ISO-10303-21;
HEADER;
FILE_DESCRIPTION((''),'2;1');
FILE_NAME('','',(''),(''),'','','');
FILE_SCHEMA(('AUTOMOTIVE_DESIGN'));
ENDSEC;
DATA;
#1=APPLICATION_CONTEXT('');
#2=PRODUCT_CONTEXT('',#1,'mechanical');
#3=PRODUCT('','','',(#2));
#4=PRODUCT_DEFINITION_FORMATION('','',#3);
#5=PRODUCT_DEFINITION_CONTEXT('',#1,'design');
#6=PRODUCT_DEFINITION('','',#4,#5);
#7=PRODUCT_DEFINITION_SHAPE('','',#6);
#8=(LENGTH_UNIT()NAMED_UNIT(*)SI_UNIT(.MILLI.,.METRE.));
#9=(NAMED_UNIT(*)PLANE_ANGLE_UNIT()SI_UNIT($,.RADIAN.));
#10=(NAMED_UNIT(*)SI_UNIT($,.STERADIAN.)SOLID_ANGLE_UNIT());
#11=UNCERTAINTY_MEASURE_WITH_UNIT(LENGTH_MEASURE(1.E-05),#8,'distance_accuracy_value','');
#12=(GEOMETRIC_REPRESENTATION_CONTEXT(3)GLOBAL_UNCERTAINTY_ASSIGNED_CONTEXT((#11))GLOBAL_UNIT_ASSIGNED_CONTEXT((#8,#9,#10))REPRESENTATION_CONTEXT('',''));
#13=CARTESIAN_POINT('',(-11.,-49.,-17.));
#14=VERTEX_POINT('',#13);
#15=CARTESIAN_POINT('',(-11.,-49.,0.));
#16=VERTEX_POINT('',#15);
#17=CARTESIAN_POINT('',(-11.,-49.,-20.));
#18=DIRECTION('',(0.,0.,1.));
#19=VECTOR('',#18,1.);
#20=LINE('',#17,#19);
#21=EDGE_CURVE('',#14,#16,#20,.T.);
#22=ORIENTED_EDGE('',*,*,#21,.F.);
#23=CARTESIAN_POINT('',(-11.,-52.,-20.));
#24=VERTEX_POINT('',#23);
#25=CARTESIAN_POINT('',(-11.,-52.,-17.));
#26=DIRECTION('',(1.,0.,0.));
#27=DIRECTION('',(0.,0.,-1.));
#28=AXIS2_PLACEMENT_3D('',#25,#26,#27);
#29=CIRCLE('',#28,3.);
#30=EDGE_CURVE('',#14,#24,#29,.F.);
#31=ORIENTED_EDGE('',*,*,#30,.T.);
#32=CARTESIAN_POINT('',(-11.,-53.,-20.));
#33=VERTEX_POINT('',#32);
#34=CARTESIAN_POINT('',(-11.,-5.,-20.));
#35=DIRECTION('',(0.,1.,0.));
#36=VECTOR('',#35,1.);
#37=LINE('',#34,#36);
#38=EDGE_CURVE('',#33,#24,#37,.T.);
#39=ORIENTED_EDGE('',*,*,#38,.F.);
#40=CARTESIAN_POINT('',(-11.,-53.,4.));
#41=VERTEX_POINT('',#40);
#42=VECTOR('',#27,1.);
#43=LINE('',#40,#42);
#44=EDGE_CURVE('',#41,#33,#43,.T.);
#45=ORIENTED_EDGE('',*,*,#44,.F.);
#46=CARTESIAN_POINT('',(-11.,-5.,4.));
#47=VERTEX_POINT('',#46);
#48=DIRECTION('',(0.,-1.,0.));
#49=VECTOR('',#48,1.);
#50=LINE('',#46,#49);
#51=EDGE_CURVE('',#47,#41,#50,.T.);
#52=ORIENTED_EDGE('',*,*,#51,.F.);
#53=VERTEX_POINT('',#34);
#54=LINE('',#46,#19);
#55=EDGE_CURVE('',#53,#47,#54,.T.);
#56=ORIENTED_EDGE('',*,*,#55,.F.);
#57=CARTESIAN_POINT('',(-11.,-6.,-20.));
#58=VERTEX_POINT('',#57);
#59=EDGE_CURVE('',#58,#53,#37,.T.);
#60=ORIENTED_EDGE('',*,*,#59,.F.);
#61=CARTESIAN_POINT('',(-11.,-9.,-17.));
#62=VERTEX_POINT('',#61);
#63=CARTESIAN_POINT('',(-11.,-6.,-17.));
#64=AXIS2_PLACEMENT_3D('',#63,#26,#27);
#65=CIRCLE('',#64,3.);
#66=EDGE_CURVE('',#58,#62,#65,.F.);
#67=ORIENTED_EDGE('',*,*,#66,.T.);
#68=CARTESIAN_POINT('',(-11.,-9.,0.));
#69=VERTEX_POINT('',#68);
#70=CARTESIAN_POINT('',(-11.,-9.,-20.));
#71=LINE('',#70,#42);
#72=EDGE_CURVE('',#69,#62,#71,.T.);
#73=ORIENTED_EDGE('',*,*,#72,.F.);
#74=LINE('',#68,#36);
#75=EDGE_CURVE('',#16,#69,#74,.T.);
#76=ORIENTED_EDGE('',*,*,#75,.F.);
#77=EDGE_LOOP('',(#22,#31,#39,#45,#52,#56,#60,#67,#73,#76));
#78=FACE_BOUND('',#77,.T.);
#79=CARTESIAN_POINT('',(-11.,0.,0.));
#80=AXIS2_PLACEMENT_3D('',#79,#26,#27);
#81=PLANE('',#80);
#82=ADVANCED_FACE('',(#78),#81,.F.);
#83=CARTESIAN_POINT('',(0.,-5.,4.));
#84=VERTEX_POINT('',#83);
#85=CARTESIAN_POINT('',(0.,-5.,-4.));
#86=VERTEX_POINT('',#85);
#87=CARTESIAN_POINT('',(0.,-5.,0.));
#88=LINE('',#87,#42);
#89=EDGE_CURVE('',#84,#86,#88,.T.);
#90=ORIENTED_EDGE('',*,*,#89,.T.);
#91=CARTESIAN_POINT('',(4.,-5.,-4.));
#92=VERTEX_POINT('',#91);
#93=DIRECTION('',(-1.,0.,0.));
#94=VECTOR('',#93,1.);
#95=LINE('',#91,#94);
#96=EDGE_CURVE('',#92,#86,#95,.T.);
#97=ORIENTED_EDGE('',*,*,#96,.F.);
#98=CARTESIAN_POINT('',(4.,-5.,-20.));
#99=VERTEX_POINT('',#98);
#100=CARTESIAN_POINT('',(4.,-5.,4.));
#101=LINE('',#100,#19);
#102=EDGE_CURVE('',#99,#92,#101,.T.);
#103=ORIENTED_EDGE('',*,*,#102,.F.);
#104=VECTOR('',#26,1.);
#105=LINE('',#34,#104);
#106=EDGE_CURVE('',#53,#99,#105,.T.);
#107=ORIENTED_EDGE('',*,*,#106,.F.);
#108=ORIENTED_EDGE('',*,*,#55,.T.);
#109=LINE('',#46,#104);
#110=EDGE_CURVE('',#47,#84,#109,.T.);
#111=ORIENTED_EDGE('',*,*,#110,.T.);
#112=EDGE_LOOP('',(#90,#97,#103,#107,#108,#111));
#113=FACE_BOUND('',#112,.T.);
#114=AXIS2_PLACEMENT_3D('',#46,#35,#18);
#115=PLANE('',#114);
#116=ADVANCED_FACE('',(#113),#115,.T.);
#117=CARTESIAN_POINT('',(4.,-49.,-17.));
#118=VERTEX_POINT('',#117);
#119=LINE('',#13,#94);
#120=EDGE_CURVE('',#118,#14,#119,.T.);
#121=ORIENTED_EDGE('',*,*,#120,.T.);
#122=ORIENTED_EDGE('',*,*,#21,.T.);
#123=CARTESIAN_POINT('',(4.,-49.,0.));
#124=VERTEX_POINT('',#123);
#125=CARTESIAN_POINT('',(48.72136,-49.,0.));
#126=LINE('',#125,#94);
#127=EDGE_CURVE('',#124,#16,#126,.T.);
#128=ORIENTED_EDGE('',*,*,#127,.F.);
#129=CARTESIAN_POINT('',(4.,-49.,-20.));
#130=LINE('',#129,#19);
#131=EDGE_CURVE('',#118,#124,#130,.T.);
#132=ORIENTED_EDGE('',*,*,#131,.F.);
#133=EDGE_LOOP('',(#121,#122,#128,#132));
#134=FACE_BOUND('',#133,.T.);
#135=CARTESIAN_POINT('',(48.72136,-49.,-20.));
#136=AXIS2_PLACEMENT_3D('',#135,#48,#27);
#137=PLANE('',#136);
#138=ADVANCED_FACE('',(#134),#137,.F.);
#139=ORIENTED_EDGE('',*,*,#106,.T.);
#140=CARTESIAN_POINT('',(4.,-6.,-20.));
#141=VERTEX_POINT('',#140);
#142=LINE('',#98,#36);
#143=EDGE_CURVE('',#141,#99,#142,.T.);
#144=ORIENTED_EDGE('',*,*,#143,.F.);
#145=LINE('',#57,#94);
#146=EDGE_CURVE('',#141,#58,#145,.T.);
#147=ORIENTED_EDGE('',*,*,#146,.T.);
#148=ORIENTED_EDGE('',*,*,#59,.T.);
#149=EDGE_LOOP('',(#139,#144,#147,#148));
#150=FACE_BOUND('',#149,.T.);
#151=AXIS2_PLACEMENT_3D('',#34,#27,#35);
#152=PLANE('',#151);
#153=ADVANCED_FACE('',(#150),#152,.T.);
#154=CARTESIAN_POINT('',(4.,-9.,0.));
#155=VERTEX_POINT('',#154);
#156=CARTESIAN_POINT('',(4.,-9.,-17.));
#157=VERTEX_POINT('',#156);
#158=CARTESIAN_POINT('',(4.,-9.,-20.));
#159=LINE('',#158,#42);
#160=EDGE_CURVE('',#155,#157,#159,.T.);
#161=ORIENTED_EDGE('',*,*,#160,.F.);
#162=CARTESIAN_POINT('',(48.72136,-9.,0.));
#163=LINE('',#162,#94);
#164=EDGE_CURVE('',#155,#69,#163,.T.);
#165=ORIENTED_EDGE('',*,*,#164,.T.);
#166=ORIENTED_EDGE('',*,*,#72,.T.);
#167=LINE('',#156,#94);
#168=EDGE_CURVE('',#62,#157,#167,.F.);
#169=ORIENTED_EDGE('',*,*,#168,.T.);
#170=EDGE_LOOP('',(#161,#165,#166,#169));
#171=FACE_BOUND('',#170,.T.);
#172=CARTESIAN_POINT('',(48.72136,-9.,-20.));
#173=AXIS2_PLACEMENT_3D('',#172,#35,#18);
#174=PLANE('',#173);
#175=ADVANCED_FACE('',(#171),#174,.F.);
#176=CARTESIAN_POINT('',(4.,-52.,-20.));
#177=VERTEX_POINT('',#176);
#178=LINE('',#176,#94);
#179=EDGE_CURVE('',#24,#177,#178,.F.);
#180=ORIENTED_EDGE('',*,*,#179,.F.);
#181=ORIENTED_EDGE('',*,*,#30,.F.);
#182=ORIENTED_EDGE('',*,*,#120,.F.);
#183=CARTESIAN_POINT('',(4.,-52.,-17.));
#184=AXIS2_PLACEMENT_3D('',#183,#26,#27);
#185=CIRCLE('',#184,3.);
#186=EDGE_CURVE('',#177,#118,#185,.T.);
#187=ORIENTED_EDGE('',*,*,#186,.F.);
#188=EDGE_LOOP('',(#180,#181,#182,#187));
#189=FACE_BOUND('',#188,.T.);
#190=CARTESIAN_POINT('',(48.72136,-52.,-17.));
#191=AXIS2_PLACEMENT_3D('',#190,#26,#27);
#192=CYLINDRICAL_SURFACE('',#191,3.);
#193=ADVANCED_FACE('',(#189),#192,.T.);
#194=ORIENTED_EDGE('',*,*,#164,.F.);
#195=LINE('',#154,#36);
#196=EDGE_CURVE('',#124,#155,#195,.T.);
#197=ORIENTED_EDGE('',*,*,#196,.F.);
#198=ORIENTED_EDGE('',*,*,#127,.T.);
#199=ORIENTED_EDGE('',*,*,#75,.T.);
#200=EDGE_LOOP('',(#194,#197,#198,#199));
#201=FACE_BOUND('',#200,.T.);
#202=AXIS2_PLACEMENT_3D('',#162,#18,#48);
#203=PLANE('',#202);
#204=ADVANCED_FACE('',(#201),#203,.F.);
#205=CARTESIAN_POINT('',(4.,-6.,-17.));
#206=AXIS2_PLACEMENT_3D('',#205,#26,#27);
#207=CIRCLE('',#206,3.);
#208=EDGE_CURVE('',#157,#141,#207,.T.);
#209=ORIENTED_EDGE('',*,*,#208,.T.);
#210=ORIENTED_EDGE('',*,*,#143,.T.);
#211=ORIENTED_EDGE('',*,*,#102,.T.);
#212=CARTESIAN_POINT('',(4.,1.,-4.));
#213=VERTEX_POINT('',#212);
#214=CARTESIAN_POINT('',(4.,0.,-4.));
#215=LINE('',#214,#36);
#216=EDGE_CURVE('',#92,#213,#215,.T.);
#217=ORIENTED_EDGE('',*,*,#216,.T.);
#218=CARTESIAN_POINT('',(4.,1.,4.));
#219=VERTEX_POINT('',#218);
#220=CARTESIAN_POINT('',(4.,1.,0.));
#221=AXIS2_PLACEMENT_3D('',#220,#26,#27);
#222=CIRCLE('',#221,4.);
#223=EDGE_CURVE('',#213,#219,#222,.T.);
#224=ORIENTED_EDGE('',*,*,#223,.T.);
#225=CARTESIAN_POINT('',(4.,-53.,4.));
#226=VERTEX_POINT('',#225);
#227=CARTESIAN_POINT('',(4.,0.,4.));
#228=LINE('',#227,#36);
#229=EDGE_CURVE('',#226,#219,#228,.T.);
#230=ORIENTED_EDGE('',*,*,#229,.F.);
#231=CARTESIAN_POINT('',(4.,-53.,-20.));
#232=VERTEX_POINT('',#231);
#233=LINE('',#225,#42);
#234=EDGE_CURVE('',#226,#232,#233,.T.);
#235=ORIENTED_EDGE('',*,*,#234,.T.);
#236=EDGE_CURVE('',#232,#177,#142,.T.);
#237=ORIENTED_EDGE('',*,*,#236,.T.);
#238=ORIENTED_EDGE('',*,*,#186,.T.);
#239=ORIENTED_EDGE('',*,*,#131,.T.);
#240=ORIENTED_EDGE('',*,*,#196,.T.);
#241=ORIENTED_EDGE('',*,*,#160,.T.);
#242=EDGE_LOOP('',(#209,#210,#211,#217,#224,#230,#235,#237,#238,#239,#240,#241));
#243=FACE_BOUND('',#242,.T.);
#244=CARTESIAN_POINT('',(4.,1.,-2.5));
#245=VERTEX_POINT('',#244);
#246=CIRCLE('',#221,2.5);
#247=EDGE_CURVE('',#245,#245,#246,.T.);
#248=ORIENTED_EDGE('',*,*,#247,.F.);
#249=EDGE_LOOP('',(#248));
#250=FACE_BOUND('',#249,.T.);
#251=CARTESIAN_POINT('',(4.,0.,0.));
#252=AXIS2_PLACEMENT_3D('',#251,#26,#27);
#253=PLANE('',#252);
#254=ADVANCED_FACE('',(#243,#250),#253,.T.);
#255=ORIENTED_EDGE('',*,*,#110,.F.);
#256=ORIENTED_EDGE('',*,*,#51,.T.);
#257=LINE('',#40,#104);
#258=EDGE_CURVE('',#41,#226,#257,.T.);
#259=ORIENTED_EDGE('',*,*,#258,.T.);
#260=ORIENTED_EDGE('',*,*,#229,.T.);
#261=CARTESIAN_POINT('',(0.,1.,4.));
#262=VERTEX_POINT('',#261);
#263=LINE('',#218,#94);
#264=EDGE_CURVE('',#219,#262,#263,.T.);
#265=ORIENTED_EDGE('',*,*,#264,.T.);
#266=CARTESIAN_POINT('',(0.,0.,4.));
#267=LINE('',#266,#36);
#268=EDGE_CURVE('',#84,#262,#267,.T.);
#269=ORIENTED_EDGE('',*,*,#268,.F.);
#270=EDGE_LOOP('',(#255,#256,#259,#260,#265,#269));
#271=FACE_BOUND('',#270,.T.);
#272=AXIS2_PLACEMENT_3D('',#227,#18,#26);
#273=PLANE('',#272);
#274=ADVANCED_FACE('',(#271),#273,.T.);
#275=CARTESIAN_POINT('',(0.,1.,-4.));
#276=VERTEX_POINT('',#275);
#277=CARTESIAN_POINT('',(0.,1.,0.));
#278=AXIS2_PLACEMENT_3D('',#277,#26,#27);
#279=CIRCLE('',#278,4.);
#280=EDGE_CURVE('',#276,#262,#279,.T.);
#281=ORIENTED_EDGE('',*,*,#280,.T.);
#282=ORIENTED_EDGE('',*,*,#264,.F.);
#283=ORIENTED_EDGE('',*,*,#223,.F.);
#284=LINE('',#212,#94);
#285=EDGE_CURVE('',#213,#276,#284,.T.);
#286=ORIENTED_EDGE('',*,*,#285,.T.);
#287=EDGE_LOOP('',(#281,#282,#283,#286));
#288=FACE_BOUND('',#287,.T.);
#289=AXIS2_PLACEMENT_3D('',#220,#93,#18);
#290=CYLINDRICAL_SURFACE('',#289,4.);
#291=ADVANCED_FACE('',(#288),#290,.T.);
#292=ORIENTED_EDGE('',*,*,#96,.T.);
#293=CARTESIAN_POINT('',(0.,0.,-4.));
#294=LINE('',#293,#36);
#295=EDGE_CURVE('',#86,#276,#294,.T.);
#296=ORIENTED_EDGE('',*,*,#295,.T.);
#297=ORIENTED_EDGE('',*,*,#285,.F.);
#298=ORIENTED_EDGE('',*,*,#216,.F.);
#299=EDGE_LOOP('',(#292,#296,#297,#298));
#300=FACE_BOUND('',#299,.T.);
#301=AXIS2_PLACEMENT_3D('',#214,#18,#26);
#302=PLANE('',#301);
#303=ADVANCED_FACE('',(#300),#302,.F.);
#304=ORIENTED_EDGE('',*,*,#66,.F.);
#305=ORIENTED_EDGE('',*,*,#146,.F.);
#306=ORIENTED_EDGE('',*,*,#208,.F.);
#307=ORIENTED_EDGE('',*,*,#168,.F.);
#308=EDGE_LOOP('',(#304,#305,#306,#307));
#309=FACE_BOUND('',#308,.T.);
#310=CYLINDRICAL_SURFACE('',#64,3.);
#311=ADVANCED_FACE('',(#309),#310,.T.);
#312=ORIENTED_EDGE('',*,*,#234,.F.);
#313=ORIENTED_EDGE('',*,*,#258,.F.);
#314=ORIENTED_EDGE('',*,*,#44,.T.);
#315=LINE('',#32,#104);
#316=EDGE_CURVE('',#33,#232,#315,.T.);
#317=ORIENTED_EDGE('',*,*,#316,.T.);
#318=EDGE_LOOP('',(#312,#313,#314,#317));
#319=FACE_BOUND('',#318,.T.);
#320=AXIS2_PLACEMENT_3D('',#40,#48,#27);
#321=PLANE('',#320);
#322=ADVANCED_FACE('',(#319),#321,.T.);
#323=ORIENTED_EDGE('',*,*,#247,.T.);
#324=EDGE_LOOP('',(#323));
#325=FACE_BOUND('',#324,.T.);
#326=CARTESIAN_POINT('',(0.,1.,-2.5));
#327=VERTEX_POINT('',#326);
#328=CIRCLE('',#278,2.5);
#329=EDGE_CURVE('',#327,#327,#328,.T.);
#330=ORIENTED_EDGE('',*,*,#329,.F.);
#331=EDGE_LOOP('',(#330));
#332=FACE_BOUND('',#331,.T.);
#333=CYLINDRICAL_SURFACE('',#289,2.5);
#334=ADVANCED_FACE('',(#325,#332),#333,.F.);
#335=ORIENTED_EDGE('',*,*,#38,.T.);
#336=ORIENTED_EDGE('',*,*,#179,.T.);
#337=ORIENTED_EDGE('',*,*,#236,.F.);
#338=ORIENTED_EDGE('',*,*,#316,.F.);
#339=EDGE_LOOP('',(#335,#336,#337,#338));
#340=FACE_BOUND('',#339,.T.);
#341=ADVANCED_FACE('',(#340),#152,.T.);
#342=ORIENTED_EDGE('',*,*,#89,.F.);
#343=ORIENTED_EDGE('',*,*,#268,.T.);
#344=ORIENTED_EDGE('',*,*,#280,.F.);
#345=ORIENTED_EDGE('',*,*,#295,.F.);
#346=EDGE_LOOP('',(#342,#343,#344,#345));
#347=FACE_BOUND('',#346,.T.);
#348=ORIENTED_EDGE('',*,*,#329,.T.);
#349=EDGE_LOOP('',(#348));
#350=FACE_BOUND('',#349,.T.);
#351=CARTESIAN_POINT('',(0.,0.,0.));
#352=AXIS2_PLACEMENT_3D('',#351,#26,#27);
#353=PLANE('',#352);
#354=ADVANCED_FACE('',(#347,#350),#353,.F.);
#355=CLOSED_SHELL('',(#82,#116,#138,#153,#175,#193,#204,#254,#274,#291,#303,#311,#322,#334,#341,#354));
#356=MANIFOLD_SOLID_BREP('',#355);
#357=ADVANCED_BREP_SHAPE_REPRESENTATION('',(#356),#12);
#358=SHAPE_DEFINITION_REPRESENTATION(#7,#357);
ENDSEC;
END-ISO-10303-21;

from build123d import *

# Parameters (mm, degrees)
SKETCH2_R           = 4
SKETCH2_R_2         = 2.5
BOSS_EXTRUDE1_DEPTH = 4
SKETCH3_W           = 24
SKETCH3_H           = 48
BOSS_EXTRUDE2_DEPTH = 15
SKETCH4_W           = 20
SKETCH4_H           = 40
CUT_EXTRUDE1_DEPTH  = 15
FILLET1_R           = 3


with BuildPart() as part:
    # Sketch2 → Boss-Extrude1 (new body)
    # profile 1 of 2: a face of its own
    with BuildSketch(Plane(origin=(0, 0, 0), x_dir=(0, 0, -1), z_dir=(1, 0, 0))):
        with Locations((0, 1)):
            Circle(SKETCH2_R)
        with Locations((0, 1)):
            Circle(SKETCH2_R_2, mode=Mode.SUBTRACT)
    # profile 2 of 2: a face of its own
    with BuildSketch(Plane(origin=(0, 0, 0), x_dir=(0, 0, -1), z_dir=(1, 0, 0))):
        with BuildLine():
            Line((-4, 1), (-4, -5))
            Line((-4, -5), (4, -5))
            Line((4, -5), (4, 1))
            ThreePointArc((4, 1), (0, -3), (-4, 1))
        make_face()
    extrude(amount=BOSS_EXTRUDE1_DEPTH)

    # Sketch3 → Boss-Extrude2 (add)
    with BuildSketch(Plane(origin=(4, 0, 0), x_dir=(0, 0, -1), z_dir=(1, 0, 0))):
        with Locations((8, -29)):
            Rectangle(SKETCH3_W, SKETCH3_H)
    extrude(amount=-BOSS_EXTRUDE2_DEPTH)

    # Sketch4 → Cut-Extrude1 (cut)
    with BuildSketch(Plane.ZY.offset(11)):
        with Locations((-10, -29)):
            Rectangle(SKETCH4_W, SKETCH4_H)
    extrude(amount=-CUT_EXTRUDE1_DEPTH, mode=Mode.SUBTRACT)

    # Fillet1
    fillet1_edges = [part.edges().sort_by_distance(p)[0] for p in [
        (-3.5, -9, -20),
        (-3.5, -49, -20),
    ]]
    fillet(fillet1_edges, radius=FILLET1_R)


solid = part.part
